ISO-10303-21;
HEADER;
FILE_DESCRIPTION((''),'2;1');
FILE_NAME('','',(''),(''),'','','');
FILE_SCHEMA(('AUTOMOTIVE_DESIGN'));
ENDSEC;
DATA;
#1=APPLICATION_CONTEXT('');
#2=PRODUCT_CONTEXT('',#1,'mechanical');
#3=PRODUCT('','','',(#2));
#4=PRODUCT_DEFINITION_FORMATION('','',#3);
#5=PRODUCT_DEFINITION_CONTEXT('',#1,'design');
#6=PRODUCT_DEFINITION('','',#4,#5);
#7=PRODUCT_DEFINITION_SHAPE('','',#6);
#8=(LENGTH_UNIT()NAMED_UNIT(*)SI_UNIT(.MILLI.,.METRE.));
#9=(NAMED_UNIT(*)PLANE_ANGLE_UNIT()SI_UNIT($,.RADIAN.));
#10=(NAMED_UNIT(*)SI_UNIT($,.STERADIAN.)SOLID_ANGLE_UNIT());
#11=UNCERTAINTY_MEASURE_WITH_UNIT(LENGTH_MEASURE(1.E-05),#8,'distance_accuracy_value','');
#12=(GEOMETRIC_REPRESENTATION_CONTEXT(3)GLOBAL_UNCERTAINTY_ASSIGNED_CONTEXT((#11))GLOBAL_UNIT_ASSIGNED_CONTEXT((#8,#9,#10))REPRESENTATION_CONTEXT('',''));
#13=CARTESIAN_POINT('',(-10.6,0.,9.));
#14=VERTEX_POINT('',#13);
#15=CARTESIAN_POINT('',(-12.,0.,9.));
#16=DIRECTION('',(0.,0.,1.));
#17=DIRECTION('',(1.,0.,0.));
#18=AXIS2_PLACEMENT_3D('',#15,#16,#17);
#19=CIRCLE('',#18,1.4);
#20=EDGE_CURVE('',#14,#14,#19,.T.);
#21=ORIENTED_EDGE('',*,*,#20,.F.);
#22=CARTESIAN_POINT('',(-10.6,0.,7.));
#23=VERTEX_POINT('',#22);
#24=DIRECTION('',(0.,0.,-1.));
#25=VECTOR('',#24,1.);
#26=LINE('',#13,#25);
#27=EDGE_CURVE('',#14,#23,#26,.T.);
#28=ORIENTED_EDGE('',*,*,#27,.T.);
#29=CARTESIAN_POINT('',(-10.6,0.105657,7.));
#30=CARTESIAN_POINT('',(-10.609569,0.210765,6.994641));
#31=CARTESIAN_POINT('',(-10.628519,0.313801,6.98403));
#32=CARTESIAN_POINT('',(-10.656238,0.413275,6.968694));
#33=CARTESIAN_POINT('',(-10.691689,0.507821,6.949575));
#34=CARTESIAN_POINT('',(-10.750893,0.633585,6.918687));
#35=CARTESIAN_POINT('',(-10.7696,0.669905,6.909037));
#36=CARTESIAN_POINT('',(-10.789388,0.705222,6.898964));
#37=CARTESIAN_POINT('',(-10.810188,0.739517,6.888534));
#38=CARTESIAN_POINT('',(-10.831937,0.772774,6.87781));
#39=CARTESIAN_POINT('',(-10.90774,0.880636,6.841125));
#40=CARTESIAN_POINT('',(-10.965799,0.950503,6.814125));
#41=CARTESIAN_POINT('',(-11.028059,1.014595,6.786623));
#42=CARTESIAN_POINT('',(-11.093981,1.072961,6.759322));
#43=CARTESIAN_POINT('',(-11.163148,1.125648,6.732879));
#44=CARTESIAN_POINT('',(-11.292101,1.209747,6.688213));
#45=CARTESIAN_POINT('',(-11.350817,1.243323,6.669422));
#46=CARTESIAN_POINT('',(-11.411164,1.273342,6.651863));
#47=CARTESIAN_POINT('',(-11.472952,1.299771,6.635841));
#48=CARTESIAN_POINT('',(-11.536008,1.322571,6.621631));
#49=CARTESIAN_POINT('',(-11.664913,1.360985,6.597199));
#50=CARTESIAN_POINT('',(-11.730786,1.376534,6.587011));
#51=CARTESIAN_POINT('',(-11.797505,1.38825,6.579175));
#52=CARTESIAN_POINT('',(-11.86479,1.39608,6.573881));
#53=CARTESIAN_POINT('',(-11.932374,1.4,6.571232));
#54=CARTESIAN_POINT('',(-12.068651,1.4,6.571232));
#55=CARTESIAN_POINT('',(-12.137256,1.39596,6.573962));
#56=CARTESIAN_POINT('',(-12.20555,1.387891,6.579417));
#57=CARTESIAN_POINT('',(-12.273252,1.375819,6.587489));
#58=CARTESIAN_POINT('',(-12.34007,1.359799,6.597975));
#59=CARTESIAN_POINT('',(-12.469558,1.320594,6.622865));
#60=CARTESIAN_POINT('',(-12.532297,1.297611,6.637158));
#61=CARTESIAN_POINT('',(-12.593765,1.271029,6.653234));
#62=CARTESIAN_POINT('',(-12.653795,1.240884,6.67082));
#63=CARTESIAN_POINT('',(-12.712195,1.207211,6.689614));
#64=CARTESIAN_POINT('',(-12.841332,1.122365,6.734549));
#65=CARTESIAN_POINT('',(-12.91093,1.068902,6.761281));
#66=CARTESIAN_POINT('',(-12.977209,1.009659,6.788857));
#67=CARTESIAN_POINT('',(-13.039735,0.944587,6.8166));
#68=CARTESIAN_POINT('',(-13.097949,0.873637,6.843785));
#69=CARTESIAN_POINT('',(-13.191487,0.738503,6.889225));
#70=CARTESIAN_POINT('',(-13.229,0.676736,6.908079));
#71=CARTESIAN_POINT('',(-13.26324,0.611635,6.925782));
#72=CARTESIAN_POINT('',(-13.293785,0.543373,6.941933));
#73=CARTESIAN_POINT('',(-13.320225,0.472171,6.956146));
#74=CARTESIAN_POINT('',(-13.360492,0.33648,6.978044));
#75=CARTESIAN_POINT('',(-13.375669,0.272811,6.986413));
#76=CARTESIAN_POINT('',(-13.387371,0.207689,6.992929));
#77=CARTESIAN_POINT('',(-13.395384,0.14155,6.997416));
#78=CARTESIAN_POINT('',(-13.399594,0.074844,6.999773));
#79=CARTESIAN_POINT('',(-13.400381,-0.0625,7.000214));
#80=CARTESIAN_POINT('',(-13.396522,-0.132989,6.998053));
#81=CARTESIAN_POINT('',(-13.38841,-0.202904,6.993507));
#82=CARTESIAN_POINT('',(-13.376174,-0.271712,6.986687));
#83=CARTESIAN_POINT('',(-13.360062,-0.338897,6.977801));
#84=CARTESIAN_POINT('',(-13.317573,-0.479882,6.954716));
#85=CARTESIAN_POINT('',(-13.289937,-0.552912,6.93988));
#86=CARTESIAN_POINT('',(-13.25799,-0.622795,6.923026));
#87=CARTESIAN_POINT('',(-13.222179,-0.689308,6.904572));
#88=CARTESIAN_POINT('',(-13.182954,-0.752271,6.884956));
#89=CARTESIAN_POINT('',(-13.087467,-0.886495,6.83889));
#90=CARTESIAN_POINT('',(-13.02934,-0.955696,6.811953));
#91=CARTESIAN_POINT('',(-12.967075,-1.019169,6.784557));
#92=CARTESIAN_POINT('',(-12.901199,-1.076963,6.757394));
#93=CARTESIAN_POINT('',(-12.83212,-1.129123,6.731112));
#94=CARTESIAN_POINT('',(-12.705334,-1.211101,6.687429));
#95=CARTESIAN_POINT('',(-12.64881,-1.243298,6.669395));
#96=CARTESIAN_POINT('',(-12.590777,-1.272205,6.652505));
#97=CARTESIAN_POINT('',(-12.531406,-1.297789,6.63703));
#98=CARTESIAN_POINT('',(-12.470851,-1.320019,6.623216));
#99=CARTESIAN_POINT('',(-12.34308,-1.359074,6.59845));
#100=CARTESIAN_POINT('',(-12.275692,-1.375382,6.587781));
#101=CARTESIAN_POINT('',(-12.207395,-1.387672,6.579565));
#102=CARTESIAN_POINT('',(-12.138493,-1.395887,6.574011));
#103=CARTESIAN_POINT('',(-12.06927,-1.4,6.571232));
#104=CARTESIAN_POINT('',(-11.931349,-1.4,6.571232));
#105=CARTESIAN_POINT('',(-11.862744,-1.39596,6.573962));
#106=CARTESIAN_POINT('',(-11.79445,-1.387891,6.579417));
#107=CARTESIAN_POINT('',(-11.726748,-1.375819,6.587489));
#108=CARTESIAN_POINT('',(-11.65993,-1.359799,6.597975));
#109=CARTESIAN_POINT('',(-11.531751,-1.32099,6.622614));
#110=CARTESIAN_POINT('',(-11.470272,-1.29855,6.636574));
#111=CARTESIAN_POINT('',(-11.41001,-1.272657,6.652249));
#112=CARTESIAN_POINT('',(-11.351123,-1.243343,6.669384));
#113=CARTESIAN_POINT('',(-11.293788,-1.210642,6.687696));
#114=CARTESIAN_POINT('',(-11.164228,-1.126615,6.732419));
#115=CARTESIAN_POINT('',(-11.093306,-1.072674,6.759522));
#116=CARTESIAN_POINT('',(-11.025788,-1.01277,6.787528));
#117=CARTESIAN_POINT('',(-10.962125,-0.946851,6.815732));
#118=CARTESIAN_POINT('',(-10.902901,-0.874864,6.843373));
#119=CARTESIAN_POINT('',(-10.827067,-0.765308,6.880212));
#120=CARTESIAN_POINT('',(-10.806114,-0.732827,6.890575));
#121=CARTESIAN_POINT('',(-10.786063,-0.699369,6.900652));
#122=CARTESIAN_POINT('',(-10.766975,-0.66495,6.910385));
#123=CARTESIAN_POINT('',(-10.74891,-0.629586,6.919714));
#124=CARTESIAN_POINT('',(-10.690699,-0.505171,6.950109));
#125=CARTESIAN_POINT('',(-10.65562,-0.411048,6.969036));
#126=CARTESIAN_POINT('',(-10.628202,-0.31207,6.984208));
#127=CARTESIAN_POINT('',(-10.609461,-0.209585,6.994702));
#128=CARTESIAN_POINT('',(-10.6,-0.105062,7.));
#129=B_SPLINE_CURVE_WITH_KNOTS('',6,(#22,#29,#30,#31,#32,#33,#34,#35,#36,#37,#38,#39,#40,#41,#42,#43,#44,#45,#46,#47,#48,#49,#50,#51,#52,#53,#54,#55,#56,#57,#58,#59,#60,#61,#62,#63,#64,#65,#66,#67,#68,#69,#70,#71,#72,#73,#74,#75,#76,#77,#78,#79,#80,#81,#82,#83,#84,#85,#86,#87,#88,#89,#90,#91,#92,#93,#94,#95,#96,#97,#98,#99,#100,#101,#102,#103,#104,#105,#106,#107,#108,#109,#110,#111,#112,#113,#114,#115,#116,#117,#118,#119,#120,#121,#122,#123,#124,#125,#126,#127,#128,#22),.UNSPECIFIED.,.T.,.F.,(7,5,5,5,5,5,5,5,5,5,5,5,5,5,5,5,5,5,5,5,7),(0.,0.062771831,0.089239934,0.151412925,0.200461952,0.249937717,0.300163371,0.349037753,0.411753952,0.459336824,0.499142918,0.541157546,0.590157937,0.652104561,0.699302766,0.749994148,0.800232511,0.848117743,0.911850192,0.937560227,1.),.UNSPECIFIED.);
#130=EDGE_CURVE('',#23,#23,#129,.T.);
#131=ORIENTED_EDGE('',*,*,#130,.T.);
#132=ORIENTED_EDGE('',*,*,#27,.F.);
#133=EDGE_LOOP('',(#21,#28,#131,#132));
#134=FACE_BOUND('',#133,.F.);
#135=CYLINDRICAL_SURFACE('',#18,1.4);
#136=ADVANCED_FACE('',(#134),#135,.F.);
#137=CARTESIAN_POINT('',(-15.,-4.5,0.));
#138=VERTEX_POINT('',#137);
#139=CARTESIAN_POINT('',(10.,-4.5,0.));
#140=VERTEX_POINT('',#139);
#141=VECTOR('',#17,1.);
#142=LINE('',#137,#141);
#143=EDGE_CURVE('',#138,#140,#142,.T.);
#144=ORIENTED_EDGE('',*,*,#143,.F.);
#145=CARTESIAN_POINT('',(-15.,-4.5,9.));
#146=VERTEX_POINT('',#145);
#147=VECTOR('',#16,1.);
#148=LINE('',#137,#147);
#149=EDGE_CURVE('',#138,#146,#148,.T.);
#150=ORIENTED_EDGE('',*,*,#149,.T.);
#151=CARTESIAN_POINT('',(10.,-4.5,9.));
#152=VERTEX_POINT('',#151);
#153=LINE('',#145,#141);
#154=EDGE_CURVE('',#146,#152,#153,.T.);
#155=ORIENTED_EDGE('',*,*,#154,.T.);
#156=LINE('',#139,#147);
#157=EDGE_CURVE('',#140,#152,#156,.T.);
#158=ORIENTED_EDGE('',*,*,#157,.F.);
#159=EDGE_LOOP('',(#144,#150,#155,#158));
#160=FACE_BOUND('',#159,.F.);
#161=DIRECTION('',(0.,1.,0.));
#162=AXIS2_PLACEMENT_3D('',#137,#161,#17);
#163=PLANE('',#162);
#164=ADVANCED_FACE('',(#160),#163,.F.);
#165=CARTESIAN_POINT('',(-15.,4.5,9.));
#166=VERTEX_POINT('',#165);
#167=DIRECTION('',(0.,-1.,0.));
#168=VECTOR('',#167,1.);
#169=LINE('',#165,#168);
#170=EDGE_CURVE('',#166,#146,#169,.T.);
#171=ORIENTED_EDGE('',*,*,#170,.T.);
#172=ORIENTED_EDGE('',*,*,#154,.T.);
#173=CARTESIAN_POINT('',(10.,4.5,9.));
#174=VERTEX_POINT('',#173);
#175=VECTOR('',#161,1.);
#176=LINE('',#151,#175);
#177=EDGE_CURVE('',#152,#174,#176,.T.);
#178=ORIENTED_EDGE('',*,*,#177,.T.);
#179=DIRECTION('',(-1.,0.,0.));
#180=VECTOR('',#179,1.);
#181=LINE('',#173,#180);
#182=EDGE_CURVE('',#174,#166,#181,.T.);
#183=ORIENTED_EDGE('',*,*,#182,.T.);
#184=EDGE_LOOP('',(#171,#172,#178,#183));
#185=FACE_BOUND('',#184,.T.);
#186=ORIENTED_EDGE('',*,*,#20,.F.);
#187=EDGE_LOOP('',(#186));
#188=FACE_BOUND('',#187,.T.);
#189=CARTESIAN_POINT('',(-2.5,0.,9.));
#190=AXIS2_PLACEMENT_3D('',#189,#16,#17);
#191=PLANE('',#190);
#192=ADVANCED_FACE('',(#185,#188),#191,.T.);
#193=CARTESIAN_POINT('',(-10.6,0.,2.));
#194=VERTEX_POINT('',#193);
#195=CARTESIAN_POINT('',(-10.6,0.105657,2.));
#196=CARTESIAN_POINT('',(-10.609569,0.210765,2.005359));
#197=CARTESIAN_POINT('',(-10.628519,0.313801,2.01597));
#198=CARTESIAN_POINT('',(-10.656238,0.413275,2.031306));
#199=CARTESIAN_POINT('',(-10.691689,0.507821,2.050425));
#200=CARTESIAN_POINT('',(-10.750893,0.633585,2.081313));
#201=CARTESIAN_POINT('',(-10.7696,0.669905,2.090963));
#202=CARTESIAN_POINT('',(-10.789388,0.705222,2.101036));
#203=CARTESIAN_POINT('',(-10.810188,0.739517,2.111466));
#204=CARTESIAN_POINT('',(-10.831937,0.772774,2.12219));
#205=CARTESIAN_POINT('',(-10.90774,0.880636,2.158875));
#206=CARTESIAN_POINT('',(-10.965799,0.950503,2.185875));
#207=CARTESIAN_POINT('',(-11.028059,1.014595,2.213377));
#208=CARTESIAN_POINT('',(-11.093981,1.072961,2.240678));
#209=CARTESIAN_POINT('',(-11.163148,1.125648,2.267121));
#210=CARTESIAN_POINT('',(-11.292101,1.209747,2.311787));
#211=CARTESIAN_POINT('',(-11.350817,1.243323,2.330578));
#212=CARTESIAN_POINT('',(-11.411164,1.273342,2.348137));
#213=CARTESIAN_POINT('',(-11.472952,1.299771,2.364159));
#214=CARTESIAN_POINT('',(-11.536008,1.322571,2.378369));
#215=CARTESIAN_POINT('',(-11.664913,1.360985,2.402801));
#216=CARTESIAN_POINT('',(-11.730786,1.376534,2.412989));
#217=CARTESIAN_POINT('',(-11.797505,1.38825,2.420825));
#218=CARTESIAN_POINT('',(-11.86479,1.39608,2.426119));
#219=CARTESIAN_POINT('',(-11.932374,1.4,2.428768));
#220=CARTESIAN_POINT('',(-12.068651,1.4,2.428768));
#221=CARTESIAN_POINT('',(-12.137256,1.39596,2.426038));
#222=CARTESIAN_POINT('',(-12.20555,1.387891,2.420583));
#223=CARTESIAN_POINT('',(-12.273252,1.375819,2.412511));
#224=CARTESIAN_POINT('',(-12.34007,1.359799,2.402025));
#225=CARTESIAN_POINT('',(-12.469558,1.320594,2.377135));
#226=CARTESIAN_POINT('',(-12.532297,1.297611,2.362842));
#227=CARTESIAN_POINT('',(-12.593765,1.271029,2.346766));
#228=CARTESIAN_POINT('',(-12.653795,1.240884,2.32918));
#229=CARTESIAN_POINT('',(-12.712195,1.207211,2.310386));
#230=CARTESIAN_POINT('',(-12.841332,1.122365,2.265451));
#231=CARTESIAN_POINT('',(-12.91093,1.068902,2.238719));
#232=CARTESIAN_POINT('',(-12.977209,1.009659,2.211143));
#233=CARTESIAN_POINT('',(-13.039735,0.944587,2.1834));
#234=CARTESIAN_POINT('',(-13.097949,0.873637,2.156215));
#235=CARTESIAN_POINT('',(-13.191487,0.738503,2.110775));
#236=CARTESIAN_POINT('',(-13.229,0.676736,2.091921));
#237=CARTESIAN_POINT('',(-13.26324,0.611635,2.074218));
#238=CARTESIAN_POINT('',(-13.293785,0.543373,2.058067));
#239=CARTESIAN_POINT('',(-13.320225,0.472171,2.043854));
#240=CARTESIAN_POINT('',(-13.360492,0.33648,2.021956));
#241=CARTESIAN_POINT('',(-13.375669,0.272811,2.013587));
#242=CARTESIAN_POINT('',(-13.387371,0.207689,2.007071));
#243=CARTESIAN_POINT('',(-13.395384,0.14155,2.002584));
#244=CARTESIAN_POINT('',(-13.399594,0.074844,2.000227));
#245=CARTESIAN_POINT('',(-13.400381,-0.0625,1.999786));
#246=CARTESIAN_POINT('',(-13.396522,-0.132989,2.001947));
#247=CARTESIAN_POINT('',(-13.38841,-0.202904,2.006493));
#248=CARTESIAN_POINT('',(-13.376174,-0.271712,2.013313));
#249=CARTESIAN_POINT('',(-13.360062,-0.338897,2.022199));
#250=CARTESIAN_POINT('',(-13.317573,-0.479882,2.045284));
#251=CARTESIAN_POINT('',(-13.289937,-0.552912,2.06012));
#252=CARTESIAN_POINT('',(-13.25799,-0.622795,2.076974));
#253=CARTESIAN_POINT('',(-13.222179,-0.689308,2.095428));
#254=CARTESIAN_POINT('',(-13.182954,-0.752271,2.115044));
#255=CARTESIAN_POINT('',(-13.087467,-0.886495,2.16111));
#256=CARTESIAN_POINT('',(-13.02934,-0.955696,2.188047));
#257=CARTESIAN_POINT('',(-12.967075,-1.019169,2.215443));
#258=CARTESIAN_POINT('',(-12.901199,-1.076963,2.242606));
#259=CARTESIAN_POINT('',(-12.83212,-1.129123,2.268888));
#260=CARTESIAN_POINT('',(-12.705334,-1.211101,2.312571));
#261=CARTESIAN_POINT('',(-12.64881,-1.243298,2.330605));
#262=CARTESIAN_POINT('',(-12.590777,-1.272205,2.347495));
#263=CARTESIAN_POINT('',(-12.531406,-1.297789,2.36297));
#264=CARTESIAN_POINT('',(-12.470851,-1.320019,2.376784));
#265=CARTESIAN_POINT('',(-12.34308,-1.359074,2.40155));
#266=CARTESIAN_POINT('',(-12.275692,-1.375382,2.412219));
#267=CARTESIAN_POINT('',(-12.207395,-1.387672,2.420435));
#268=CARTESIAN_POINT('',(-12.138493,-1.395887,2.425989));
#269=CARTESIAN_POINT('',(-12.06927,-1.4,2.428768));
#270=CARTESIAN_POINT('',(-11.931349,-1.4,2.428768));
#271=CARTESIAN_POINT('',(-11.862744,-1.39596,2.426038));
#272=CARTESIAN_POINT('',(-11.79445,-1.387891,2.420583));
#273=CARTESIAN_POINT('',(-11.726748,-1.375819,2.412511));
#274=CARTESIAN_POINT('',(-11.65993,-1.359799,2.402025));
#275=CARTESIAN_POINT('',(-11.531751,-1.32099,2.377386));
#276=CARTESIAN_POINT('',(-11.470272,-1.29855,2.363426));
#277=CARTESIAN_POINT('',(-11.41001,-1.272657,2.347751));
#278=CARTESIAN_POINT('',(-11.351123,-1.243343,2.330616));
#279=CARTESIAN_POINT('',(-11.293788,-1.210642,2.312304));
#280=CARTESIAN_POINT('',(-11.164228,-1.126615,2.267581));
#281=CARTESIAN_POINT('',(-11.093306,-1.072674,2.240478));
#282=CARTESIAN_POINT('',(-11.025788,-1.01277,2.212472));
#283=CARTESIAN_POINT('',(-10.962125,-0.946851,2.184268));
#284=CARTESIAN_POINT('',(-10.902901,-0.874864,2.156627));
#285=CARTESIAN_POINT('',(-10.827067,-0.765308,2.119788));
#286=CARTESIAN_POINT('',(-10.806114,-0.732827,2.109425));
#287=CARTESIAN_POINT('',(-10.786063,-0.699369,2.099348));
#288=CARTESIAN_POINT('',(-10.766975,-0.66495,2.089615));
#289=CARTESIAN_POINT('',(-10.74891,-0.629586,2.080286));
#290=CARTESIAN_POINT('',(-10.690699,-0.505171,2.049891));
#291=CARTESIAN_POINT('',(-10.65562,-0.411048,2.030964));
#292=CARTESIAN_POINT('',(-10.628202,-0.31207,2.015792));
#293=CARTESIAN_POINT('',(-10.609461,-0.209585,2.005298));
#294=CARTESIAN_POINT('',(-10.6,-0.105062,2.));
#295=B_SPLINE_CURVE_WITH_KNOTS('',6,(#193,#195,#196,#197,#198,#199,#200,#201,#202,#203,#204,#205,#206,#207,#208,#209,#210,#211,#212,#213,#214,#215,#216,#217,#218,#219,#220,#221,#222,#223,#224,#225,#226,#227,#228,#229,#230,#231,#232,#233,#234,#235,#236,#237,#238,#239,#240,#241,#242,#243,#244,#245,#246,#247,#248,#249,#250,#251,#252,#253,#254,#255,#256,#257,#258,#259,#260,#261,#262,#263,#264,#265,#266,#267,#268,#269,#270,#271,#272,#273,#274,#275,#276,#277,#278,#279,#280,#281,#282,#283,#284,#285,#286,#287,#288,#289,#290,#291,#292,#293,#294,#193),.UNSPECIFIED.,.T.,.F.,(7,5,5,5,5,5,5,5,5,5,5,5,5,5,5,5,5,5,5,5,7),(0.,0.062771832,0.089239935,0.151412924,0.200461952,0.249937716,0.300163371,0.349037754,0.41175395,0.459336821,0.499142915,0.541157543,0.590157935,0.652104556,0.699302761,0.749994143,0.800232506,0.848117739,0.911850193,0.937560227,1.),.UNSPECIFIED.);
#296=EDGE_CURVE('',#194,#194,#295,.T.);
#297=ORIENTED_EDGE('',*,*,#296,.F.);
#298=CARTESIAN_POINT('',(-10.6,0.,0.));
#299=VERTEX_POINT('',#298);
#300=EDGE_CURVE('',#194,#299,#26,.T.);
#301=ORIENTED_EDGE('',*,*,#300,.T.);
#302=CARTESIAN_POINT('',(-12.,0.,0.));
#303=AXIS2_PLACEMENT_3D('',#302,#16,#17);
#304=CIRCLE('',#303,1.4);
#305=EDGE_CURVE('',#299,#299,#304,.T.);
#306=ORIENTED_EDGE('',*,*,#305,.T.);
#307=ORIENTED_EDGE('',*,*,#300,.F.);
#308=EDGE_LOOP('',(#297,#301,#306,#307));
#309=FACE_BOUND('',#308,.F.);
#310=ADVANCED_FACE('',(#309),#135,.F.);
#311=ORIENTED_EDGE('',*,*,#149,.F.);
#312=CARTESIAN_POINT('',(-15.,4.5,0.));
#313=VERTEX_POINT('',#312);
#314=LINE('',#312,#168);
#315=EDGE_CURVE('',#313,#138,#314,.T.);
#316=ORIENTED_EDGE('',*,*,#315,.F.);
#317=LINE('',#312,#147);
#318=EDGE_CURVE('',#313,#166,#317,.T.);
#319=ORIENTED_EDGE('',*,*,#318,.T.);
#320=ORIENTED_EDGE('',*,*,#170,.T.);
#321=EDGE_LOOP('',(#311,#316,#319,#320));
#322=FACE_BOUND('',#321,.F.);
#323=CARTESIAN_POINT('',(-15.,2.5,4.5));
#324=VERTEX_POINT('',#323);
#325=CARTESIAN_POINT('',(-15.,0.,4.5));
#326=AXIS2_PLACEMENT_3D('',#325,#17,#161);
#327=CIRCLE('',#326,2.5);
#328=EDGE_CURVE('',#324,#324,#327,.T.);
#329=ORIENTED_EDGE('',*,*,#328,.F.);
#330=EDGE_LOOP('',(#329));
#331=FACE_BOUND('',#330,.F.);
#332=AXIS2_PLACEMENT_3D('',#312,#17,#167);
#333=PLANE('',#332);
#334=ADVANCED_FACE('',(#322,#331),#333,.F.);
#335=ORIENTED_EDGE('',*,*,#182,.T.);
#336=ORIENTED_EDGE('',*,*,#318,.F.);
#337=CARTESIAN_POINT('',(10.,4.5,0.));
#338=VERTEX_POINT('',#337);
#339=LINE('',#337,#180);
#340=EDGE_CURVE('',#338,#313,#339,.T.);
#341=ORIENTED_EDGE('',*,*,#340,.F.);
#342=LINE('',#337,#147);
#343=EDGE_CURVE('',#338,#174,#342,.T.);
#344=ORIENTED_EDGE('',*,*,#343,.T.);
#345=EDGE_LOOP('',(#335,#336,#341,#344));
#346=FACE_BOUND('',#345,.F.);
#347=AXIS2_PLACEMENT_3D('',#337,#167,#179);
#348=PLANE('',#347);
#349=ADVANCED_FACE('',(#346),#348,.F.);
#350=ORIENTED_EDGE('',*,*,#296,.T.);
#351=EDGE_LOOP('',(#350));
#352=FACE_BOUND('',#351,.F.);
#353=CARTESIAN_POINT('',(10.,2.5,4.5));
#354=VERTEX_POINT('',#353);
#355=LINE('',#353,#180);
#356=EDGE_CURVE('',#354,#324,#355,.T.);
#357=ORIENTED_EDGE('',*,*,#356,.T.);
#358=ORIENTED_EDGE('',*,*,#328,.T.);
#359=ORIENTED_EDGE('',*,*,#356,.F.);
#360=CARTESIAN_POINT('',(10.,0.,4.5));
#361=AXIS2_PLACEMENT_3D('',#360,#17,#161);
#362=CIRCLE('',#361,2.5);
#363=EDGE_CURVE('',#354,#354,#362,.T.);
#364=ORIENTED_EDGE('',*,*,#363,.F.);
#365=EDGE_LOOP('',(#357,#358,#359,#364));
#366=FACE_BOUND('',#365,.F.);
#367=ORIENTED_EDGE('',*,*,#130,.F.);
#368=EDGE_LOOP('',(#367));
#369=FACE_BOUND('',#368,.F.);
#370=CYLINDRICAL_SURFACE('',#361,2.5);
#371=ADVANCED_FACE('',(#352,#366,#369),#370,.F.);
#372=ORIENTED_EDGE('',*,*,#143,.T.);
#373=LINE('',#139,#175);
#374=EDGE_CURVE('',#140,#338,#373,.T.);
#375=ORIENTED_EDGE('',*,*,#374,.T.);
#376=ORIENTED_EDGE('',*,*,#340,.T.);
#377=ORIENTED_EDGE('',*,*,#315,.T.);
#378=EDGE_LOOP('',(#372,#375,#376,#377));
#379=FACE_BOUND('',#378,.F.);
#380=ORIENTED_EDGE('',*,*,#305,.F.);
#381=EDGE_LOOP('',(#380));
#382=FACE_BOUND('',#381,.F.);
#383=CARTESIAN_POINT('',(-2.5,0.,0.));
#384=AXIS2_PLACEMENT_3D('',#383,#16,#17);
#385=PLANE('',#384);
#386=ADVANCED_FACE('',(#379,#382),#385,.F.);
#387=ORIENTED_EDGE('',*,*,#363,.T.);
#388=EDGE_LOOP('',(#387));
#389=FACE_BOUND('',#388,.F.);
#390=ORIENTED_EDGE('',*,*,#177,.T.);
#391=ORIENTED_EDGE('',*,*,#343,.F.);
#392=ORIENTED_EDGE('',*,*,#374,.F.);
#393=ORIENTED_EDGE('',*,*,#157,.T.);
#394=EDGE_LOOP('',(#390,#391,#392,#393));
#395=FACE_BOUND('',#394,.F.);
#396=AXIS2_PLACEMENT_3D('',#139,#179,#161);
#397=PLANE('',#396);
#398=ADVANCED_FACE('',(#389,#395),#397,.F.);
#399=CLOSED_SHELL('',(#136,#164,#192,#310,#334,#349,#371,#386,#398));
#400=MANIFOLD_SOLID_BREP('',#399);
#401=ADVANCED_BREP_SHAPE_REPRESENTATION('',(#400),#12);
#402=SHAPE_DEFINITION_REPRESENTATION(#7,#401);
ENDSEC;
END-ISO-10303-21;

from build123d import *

# Parameters (mm, degrees)
F1_DEPTH = 9
F3_R     = 1.4
F4_DEPTH = 25
F2_R     = 2.5
F5_DEPTH = 25


with BuildPart() as f1:
    # F0 (on Top) → F1 (new body)
    with BuildSketch(Plane.XY):
        Polygon((-5, -4.5), (10, -4.5), (10, 0), (10, 4.5), (-15, 4.5), (-15, -2.5), (-15, -4.5), align=None)
    extrude(amount=F1_DEPTH)

    # F3 (on face) → F4 (cut)
    with BuildSketch(Plane.XY.offset(9)):
        with Locations((-12, 0)):
            Circle(F3_R)
    extrude(amount=-F4_DEPTH, mode=Mode.SUBTRACT)

    # F2 (on face) → F5 (cut)
    with BuildSketch(Plane.YZ.offset(10)):
        with Locations((0, 4.5)):
            Circle(F2_R)
    extrude(amount=-F5_DEPTH, mode=Mode.SUBTRACT)


solid = f1.part
